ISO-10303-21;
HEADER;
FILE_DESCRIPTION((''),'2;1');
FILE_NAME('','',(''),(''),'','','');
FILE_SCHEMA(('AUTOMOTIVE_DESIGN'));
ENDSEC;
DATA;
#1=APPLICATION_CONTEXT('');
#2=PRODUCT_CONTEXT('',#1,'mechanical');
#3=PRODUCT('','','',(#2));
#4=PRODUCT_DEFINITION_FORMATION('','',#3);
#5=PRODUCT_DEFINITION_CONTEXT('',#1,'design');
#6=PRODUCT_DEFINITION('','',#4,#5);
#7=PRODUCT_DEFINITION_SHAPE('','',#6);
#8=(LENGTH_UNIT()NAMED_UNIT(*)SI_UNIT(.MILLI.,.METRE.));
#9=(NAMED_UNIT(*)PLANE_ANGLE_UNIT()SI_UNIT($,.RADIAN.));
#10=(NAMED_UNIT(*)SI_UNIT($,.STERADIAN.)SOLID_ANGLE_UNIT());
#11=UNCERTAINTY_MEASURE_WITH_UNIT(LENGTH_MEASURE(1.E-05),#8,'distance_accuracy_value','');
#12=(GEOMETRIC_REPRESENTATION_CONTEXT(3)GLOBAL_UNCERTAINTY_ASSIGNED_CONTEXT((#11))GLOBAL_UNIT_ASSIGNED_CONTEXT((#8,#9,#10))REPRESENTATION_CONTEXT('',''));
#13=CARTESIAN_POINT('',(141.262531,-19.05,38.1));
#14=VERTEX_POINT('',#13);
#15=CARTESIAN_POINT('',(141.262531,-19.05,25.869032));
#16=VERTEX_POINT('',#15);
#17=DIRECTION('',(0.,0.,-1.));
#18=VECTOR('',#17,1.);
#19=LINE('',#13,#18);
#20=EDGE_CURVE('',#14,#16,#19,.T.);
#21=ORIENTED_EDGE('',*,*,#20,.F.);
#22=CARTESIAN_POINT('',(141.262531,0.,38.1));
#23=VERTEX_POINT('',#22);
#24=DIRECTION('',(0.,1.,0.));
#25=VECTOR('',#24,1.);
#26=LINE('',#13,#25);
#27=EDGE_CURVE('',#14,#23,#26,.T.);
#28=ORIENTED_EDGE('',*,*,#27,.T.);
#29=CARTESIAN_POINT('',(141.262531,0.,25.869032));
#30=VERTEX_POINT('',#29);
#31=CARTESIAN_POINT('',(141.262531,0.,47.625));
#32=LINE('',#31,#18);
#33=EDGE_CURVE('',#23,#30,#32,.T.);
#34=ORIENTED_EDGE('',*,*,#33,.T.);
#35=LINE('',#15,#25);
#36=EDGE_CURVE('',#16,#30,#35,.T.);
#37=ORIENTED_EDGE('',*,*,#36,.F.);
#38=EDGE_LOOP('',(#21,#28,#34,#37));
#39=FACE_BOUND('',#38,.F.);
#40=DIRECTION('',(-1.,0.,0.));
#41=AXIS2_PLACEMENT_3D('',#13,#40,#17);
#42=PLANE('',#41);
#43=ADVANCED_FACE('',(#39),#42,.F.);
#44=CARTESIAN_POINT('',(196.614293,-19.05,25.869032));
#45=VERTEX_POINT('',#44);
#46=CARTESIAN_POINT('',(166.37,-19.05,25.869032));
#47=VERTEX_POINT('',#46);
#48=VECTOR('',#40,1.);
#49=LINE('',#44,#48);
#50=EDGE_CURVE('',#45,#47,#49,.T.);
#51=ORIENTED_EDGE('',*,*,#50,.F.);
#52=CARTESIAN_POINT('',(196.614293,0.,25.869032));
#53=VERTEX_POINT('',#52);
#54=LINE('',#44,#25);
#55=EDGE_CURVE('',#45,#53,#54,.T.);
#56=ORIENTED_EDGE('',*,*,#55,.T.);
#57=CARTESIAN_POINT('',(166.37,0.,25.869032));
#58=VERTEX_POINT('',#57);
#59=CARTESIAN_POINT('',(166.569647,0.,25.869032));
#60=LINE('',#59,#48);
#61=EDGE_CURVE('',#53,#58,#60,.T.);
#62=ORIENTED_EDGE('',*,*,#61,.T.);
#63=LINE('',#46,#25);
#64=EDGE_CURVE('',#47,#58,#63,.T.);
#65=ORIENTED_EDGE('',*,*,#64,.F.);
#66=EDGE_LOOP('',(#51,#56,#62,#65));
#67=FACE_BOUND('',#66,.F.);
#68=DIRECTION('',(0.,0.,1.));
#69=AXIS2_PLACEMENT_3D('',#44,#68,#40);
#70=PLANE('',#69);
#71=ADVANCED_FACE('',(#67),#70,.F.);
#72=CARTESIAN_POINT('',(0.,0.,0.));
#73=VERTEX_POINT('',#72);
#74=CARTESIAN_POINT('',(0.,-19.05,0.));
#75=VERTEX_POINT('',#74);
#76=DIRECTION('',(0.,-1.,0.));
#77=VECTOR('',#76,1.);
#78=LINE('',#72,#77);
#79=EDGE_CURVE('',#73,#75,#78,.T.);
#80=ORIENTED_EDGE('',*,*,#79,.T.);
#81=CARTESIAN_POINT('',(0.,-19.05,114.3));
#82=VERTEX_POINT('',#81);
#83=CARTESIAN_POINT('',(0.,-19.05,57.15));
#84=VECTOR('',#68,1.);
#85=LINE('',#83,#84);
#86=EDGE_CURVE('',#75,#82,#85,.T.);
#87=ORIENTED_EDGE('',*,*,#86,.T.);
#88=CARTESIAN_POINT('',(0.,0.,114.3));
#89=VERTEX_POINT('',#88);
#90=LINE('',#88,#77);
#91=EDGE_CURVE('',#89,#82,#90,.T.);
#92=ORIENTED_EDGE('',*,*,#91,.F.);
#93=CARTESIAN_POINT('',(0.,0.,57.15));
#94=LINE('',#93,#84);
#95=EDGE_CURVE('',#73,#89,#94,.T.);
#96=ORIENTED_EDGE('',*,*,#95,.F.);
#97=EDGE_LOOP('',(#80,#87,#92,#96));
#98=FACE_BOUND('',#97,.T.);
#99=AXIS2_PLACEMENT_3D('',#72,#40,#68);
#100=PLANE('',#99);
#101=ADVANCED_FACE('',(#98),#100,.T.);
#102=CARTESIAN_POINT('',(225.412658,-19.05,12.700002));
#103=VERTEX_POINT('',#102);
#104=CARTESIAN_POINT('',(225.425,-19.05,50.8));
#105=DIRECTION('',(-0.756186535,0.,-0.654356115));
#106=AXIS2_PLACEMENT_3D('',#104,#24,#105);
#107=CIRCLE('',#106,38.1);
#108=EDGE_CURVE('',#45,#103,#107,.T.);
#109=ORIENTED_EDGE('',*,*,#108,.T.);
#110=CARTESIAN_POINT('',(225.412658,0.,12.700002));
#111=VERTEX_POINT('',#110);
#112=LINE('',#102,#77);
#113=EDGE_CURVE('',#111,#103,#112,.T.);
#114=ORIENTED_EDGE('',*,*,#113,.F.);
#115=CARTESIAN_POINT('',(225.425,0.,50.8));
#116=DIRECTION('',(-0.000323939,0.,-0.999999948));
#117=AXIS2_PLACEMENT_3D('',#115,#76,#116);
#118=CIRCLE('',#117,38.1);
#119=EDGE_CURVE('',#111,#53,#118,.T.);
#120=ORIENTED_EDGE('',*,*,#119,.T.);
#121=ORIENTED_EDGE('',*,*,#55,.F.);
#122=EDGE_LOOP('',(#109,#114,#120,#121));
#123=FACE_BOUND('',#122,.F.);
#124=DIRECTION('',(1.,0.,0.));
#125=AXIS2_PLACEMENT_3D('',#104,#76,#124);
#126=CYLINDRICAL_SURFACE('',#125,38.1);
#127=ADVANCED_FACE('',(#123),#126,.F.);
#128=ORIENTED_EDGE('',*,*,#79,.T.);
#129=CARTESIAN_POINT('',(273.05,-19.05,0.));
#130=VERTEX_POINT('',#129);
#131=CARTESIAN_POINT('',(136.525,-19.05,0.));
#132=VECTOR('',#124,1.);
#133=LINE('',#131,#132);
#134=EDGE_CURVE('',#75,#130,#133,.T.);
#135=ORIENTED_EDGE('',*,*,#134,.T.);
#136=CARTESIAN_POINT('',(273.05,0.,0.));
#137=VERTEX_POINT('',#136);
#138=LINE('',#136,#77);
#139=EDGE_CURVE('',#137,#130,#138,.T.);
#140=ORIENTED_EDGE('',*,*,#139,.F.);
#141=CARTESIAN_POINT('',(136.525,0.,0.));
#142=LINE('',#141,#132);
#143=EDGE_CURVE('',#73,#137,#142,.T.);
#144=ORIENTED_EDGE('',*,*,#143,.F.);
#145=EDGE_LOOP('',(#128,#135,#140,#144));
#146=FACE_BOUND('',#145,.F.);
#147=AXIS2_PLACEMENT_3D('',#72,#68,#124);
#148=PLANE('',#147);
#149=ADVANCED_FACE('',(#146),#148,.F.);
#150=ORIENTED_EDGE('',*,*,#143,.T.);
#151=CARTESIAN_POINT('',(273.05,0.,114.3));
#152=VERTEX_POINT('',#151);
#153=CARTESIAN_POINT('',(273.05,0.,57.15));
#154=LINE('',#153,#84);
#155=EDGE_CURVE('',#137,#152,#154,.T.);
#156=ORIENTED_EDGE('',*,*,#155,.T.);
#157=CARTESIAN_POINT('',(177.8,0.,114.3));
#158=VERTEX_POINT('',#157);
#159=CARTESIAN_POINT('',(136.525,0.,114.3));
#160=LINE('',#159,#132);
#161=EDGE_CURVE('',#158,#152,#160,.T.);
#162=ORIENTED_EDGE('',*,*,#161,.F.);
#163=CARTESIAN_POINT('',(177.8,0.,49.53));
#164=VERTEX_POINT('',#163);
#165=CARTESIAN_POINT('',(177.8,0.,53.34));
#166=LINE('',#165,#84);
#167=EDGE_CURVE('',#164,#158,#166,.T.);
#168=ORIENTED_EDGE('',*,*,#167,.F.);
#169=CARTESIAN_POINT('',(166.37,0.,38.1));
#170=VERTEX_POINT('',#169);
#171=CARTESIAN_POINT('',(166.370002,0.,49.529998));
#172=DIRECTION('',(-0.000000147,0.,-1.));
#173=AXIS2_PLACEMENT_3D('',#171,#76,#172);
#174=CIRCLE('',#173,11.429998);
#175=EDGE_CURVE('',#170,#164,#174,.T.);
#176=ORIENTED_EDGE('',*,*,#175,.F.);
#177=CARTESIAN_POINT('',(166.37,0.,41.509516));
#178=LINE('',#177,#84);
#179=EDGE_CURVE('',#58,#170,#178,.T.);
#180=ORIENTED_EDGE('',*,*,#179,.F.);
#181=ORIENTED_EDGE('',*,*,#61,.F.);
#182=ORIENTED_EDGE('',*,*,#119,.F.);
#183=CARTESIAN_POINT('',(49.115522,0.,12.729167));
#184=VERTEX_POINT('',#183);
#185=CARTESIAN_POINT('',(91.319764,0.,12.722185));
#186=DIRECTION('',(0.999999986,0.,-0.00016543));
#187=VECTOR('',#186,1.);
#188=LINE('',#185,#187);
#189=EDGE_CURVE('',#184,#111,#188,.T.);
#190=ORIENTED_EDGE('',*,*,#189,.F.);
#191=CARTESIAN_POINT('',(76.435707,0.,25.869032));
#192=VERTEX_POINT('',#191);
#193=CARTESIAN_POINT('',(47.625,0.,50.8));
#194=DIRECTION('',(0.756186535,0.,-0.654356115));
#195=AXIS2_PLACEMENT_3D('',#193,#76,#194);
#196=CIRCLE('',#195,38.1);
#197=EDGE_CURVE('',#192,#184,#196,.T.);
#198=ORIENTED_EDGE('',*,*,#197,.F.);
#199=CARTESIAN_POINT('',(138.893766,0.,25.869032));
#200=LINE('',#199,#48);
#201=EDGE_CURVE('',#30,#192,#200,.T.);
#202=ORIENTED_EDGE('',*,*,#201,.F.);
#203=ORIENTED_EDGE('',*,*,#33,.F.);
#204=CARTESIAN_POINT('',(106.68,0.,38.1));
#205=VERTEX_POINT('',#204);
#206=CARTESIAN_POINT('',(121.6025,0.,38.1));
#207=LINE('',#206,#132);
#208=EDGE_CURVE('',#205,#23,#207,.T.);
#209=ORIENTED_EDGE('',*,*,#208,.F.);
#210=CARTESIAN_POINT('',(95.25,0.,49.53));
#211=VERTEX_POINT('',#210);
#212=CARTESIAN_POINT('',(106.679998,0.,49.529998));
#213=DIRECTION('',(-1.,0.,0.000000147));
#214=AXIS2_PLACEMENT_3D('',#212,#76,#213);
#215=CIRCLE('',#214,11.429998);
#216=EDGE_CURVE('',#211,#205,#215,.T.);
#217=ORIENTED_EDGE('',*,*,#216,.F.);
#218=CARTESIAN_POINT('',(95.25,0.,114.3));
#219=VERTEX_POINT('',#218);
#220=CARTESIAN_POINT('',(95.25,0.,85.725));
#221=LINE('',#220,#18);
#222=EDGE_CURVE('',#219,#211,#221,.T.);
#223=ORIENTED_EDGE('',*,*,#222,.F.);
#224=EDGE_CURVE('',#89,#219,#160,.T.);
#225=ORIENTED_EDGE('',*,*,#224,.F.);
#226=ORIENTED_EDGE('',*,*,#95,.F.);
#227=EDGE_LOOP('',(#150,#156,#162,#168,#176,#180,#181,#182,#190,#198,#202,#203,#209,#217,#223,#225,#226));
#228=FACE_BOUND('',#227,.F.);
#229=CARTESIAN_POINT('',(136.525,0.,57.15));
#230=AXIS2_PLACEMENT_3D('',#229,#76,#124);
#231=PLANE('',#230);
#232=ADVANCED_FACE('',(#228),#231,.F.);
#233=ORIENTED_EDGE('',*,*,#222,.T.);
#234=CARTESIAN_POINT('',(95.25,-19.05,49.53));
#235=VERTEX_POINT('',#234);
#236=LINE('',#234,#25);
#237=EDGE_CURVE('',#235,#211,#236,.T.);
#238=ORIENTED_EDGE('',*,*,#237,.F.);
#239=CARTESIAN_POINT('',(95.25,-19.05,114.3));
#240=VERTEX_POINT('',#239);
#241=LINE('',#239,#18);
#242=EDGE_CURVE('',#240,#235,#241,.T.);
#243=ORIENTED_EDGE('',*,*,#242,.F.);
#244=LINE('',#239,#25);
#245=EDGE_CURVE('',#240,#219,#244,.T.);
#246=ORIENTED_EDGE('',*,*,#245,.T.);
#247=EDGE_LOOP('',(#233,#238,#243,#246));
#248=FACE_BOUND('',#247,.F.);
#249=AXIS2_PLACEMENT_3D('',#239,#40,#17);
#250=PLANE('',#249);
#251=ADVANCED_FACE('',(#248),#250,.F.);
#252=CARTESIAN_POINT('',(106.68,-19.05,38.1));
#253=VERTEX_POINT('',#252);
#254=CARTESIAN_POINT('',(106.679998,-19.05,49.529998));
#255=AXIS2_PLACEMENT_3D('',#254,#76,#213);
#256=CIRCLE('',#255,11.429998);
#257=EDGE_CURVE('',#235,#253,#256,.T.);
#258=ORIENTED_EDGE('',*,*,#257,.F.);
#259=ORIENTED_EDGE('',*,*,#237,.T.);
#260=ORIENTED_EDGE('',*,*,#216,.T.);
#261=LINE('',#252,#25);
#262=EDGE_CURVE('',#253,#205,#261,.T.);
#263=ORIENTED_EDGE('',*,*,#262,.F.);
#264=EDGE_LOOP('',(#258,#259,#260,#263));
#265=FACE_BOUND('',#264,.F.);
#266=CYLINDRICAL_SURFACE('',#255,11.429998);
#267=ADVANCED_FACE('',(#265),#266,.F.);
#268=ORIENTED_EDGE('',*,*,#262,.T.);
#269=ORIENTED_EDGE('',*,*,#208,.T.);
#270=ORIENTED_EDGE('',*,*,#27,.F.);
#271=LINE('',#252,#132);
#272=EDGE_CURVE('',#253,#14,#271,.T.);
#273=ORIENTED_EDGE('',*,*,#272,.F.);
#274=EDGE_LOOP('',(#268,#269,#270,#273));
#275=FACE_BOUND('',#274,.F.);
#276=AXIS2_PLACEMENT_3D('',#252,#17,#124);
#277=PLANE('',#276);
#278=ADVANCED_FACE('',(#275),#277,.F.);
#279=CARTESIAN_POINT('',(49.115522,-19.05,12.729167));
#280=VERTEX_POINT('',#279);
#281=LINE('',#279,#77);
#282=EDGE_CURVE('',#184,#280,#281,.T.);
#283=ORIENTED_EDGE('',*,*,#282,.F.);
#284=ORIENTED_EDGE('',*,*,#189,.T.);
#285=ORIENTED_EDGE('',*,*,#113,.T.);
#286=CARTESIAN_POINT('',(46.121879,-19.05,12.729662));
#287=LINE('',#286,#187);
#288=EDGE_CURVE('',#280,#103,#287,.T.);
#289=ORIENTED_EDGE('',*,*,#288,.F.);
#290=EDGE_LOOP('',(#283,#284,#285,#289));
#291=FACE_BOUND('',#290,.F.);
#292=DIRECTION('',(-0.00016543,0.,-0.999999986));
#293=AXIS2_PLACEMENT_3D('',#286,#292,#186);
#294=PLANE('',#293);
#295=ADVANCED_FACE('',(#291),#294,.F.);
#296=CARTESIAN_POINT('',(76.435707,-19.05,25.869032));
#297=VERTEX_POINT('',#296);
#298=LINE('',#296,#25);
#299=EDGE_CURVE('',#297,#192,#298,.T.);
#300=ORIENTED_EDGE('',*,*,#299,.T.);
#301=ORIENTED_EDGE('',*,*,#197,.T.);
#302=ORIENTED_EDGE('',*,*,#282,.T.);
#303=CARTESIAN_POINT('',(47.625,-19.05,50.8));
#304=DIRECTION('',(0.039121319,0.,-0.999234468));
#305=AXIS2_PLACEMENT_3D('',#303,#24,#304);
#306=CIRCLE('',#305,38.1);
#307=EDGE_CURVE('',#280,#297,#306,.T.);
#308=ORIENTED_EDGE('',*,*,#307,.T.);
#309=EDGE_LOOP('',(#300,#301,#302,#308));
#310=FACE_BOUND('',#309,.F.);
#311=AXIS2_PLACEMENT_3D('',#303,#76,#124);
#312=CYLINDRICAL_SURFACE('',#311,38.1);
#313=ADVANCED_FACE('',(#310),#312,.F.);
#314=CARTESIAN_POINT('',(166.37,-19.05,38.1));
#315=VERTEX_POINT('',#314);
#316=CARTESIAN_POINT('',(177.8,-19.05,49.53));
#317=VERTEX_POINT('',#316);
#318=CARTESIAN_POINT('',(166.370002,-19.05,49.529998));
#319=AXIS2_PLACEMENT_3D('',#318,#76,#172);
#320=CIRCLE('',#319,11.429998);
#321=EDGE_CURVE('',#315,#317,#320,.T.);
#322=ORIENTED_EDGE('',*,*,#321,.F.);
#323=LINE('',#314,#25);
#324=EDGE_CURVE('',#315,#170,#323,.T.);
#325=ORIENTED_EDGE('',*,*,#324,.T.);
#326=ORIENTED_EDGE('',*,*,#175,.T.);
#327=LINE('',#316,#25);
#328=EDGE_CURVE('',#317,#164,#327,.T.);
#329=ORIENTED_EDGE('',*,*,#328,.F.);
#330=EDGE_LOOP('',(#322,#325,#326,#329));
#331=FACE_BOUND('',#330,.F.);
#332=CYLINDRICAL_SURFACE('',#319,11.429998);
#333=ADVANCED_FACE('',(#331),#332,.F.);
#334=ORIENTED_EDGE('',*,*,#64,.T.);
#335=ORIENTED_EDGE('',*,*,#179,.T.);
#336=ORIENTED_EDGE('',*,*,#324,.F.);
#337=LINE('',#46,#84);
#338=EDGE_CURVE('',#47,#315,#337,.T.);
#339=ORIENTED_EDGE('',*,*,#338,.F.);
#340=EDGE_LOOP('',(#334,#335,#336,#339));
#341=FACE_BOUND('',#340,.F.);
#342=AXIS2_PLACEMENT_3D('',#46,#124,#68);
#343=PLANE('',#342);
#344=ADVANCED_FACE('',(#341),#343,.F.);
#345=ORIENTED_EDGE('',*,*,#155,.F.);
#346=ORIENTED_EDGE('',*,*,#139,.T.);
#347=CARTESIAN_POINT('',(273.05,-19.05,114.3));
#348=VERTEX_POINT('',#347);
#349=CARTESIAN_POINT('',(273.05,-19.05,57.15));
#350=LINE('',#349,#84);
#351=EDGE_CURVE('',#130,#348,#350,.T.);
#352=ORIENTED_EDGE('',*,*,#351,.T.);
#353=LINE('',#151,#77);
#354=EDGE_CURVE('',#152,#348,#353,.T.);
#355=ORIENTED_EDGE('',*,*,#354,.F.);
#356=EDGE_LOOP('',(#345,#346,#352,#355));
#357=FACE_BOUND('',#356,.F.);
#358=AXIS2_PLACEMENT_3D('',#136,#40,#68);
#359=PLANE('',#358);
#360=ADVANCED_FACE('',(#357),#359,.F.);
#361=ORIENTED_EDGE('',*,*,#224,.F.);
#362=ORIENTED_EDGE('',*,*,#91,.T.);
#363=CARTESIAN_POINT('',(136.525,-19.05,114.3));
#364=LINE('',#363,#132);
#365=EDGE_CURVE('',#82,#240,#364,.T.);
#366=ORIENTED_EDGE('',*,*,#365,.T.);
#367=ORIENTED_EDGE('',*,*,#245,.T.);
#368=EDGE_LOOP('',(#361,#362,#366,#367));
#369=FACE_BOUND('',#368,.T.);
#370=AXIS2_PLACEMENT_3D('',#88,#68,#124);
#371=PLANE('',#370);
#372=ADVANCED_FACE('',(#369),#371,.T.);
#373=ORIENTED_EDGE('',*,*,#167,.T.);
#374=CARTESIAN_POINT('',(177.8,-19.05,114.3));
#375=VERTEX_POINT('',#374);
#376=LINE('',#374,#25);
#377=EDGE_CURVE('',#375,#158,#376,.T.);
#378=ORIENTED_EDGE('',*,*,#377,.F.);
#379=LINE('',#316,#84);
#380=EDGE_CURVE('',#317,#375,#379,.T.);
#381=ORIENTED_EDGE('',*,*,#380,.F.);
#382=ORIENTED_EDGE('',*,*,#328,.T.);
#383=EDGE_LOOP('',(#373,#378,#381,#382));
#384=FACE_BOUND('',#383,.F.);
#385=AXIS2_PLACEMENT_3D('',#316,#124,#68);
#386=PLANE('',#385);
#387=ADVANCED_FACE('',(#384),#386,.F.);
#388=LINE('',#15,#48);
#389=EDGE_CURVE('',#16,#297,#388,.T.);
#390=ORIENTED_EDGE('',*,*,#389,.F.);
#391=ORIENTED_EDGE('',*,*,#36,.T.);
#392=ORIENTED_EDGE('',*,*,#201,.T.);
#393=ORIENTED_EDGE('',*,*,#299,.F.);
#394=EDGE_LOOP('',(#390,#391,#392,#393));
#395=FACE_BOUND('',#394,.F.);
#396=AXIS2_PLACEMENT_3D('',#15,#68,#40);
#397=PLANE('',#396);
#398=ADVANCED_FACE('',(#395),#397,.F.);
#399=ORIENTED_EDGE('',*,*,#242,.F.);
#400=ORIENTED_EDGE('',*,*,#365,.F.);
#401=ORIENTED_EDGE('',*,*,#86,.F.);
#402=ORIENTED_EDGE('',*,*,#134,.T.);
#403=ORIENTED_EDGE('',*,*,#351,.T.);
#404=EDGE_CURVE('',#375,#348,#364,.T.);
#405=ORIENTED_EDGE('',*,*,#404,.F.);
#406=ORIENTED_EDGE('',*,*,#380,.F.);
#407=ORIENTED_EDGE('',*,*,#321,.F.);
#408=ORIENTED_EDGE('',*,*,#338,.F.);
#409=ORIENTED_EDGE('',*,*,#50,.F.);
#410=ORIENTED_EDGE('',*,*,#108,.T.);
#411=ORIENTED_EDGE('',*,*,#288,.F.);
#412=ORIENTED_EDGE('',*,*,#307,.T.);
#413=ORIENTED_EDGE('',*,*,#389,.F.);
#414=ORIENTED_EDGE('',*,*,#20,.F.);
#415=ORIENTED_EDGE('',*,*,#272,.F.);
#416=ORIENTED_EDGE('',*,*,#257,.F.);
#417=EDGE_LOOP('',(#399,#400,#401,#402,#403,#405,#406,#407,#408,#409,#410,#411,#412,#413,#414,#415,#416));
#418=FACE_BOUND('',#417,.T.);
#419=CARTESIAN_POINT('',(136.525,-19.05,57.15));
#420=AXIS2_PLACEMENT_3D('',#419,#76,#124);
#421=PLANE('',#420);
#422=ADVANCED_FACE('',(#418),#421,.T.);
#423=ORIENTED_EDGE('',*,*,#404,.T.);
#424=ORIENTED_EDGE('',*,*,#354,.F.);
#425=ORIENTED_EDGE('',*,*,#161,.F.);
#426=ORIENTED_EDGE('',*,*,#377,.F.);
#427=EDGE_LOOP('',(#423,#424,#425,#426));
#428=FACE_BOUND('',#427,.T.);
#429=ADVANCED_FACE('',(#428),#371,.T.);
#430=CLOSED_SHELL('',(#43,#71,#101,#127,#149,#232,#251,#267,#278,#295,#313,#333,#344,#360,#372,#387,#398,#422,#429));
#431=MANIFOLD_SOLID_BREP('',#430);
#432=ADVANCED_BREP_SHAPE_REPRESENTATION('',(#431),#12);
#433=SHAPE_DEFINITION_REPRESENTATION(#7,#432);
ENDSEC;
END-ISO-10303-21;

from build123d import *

# Parameters (mm, degrees)
F0_W     = 273.05
F0_H     = 114.3
F1_DEPTH = 19.05
F2_R     = 38.1
F3_DEPTH = 25.4
F5_DEPTH = 25.4
F7_DEPTH = 25.4


with BuildPart() as f1:
    # F0 (on Front) → F1 (new body)
    with BuildSketch(Plane.XZ):
        with Locations((136.525, 57.15)):
            Rectangle(F0_W, F0_H)
    extrude(amount=F1_DEPTH)

    # F2 (on face) → F3 (cut)
    with BuildSketch(Plane.XZ.offset(19.05)):
        with Locations((47.625, 50.8)):
            Circle(F2_R)
        with Locations((225.425, 50.8)):
            Circle(F2_R)
    extrude(amount=-F3_DEPTH, mode=Mode.SUBTRACT)

    # F4 (on face) → F5 (cut)
    with BuildSketch(Plane.XZ.offset(19.05)):
        with BuildLine():
            Line((177.8, 114.3), (95.25, 114.3))
            Line((95.25, 114.3), (95.25, 49.53))
            ThreePointArc((95.25, 49.53), (98.597769, 41.447769), (106.68, 38.1))
            Line((106.68, 38.1), (166.37, 38.1))
            ThreePointArc((166.37, 38.1), (174.452231, 41.447769), (177.8, 49.53))
            Line((177.8, 49.53), (177.8, 114.3))
        make_face()
    extrude(amount=-F5_DEPTH, mode=Mode.SUBTRACT)

    # F6 (on face) → F7 (cut)
    with BuildSketch(Plane.XZ.offset(19.05)):
        Polygon((166.37, 25.869032), (166.37, 38.1), (141.262531, 38.1), (141.262531, 25.869032), (76.435707, 25.869032), (46.121879, 12.729662), (225.418697, 12.700001), (196.614293, 25.869032), align=None)
    extrude(amount=-F7_DEPTH, mode=Mode.SUBTRACT)


solid = f1.part
